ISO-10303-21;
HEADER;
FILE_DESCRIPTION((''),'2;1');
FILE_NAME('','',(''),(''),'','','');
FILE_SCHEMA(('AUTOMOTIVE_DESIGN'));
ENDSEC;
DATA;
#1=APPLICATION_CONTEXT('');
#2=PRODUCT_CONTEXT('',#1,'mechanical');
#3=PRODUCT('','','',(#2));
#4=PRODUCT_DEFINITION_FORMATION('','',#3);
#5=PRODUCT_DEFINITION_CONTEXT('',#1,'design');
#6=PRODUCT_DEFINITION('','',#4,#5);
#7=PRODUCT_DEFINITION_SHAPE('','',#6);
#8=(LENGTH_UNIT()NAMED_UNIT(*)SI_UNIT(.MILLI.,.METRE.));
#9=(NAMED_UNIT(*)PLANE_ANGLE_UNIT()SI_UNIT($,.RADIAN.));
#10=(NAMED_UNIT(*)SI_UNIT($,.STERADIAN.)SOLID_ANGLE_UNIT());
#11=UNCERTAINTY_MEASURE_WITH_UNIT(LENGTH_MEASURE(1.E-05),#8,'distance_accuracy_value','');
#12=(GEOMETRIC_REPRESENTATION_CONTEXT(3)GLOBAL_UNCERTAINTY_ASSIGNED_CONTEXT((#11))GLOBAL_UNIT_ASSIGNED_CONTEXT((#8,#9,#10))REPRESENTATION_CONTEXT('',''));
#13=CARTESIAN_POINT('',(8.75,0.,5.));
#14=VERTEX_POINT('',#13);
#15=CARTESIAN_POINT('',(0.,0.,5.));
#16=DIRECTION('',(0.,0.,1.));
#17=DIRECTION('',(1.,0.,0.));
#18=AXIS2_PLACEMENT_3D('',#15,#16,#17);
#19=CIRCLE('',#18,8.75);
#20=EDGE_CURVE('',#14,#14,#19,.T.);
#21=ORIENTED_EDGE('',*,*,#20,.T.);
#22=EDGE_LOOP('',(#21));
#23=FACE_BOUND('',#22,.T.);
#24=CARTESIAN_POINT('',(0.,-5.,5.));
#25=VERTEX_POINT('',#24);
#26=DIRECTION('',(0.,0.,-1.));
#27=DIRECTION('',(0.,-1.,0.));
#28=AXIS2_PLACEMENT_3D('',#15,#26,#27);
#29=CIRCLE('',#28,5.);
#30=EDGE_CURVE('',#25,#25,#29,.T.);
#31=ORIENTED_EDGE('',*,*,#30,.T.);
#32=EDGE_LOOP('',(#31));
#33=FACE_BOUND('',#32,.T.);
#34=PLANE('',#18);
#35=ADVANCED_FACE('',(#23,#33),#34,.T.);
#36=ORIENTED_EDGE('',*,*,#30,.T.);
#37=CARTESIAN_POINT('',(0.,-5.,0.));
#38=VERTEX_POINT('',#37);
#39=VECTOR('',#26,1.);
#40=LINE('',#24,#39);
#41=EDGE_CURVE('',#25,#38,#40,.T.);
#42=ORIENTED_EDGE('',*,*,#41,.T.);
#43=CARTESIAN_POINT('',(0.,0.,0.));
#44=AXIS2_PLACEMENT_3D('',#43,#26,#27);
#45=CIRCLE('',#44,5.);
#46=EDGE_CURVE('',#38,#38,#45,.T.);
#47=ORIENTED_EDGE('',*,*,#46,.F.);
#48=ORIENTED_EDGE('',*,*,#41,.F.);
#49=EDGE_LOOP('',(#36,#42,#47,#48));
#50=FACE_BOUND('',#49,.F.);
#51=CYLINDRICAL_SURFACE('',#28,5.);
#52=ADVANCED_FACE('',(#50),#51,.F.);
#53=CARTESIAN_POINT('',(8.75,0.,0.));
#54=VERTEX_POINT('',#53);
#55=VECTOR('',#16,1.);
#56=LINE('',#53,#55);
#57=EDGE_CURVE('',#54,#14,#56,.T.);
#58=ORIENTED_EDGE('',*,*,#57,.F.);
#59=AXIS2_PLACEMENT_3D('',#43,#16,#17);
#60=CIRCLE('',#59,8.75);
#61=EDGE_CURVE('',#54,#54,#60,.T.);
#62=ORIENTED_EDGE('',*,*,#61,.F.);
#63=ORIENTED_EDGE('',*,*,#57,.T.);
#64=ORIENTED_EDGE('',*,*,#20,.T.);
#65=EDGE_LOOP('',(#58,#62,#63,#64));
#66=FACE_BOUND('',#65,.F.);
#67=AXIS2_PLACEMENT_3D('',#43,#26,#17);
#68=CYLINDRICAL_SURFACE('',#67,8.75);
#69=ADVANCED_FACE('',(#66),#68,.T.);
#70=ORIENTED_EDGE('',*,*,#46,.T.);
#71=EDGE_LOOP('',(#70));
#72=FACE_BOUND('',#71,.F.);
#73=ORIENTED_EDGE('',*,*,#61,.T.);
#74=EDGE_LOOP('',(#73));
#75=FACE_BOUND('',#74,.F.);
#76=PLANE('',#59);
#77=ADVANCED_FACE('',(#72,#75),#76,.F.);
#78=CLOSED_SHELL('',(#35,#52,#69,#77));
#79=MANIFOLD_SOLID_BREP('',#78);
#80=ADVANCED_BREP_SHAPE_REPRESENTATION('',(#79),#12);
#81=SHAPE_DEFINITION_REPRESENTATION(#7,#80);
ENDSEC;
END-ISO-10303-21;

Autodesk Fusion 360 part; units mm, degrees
sketch "Sketch1" plane through (0, 0, 0) normal (0, 0, 1) x (1, 0, 0)
  circle A0 centre (0, 0) radius 8.75
  dimension "d1" = 17.5
extrude "Extrude1" add sketch "Sketch1" along normal blind 5
hole "Hole1" at (0, 0, 5) direction (0, 0, -1) diameter 10 depth 9 tip angle 180
